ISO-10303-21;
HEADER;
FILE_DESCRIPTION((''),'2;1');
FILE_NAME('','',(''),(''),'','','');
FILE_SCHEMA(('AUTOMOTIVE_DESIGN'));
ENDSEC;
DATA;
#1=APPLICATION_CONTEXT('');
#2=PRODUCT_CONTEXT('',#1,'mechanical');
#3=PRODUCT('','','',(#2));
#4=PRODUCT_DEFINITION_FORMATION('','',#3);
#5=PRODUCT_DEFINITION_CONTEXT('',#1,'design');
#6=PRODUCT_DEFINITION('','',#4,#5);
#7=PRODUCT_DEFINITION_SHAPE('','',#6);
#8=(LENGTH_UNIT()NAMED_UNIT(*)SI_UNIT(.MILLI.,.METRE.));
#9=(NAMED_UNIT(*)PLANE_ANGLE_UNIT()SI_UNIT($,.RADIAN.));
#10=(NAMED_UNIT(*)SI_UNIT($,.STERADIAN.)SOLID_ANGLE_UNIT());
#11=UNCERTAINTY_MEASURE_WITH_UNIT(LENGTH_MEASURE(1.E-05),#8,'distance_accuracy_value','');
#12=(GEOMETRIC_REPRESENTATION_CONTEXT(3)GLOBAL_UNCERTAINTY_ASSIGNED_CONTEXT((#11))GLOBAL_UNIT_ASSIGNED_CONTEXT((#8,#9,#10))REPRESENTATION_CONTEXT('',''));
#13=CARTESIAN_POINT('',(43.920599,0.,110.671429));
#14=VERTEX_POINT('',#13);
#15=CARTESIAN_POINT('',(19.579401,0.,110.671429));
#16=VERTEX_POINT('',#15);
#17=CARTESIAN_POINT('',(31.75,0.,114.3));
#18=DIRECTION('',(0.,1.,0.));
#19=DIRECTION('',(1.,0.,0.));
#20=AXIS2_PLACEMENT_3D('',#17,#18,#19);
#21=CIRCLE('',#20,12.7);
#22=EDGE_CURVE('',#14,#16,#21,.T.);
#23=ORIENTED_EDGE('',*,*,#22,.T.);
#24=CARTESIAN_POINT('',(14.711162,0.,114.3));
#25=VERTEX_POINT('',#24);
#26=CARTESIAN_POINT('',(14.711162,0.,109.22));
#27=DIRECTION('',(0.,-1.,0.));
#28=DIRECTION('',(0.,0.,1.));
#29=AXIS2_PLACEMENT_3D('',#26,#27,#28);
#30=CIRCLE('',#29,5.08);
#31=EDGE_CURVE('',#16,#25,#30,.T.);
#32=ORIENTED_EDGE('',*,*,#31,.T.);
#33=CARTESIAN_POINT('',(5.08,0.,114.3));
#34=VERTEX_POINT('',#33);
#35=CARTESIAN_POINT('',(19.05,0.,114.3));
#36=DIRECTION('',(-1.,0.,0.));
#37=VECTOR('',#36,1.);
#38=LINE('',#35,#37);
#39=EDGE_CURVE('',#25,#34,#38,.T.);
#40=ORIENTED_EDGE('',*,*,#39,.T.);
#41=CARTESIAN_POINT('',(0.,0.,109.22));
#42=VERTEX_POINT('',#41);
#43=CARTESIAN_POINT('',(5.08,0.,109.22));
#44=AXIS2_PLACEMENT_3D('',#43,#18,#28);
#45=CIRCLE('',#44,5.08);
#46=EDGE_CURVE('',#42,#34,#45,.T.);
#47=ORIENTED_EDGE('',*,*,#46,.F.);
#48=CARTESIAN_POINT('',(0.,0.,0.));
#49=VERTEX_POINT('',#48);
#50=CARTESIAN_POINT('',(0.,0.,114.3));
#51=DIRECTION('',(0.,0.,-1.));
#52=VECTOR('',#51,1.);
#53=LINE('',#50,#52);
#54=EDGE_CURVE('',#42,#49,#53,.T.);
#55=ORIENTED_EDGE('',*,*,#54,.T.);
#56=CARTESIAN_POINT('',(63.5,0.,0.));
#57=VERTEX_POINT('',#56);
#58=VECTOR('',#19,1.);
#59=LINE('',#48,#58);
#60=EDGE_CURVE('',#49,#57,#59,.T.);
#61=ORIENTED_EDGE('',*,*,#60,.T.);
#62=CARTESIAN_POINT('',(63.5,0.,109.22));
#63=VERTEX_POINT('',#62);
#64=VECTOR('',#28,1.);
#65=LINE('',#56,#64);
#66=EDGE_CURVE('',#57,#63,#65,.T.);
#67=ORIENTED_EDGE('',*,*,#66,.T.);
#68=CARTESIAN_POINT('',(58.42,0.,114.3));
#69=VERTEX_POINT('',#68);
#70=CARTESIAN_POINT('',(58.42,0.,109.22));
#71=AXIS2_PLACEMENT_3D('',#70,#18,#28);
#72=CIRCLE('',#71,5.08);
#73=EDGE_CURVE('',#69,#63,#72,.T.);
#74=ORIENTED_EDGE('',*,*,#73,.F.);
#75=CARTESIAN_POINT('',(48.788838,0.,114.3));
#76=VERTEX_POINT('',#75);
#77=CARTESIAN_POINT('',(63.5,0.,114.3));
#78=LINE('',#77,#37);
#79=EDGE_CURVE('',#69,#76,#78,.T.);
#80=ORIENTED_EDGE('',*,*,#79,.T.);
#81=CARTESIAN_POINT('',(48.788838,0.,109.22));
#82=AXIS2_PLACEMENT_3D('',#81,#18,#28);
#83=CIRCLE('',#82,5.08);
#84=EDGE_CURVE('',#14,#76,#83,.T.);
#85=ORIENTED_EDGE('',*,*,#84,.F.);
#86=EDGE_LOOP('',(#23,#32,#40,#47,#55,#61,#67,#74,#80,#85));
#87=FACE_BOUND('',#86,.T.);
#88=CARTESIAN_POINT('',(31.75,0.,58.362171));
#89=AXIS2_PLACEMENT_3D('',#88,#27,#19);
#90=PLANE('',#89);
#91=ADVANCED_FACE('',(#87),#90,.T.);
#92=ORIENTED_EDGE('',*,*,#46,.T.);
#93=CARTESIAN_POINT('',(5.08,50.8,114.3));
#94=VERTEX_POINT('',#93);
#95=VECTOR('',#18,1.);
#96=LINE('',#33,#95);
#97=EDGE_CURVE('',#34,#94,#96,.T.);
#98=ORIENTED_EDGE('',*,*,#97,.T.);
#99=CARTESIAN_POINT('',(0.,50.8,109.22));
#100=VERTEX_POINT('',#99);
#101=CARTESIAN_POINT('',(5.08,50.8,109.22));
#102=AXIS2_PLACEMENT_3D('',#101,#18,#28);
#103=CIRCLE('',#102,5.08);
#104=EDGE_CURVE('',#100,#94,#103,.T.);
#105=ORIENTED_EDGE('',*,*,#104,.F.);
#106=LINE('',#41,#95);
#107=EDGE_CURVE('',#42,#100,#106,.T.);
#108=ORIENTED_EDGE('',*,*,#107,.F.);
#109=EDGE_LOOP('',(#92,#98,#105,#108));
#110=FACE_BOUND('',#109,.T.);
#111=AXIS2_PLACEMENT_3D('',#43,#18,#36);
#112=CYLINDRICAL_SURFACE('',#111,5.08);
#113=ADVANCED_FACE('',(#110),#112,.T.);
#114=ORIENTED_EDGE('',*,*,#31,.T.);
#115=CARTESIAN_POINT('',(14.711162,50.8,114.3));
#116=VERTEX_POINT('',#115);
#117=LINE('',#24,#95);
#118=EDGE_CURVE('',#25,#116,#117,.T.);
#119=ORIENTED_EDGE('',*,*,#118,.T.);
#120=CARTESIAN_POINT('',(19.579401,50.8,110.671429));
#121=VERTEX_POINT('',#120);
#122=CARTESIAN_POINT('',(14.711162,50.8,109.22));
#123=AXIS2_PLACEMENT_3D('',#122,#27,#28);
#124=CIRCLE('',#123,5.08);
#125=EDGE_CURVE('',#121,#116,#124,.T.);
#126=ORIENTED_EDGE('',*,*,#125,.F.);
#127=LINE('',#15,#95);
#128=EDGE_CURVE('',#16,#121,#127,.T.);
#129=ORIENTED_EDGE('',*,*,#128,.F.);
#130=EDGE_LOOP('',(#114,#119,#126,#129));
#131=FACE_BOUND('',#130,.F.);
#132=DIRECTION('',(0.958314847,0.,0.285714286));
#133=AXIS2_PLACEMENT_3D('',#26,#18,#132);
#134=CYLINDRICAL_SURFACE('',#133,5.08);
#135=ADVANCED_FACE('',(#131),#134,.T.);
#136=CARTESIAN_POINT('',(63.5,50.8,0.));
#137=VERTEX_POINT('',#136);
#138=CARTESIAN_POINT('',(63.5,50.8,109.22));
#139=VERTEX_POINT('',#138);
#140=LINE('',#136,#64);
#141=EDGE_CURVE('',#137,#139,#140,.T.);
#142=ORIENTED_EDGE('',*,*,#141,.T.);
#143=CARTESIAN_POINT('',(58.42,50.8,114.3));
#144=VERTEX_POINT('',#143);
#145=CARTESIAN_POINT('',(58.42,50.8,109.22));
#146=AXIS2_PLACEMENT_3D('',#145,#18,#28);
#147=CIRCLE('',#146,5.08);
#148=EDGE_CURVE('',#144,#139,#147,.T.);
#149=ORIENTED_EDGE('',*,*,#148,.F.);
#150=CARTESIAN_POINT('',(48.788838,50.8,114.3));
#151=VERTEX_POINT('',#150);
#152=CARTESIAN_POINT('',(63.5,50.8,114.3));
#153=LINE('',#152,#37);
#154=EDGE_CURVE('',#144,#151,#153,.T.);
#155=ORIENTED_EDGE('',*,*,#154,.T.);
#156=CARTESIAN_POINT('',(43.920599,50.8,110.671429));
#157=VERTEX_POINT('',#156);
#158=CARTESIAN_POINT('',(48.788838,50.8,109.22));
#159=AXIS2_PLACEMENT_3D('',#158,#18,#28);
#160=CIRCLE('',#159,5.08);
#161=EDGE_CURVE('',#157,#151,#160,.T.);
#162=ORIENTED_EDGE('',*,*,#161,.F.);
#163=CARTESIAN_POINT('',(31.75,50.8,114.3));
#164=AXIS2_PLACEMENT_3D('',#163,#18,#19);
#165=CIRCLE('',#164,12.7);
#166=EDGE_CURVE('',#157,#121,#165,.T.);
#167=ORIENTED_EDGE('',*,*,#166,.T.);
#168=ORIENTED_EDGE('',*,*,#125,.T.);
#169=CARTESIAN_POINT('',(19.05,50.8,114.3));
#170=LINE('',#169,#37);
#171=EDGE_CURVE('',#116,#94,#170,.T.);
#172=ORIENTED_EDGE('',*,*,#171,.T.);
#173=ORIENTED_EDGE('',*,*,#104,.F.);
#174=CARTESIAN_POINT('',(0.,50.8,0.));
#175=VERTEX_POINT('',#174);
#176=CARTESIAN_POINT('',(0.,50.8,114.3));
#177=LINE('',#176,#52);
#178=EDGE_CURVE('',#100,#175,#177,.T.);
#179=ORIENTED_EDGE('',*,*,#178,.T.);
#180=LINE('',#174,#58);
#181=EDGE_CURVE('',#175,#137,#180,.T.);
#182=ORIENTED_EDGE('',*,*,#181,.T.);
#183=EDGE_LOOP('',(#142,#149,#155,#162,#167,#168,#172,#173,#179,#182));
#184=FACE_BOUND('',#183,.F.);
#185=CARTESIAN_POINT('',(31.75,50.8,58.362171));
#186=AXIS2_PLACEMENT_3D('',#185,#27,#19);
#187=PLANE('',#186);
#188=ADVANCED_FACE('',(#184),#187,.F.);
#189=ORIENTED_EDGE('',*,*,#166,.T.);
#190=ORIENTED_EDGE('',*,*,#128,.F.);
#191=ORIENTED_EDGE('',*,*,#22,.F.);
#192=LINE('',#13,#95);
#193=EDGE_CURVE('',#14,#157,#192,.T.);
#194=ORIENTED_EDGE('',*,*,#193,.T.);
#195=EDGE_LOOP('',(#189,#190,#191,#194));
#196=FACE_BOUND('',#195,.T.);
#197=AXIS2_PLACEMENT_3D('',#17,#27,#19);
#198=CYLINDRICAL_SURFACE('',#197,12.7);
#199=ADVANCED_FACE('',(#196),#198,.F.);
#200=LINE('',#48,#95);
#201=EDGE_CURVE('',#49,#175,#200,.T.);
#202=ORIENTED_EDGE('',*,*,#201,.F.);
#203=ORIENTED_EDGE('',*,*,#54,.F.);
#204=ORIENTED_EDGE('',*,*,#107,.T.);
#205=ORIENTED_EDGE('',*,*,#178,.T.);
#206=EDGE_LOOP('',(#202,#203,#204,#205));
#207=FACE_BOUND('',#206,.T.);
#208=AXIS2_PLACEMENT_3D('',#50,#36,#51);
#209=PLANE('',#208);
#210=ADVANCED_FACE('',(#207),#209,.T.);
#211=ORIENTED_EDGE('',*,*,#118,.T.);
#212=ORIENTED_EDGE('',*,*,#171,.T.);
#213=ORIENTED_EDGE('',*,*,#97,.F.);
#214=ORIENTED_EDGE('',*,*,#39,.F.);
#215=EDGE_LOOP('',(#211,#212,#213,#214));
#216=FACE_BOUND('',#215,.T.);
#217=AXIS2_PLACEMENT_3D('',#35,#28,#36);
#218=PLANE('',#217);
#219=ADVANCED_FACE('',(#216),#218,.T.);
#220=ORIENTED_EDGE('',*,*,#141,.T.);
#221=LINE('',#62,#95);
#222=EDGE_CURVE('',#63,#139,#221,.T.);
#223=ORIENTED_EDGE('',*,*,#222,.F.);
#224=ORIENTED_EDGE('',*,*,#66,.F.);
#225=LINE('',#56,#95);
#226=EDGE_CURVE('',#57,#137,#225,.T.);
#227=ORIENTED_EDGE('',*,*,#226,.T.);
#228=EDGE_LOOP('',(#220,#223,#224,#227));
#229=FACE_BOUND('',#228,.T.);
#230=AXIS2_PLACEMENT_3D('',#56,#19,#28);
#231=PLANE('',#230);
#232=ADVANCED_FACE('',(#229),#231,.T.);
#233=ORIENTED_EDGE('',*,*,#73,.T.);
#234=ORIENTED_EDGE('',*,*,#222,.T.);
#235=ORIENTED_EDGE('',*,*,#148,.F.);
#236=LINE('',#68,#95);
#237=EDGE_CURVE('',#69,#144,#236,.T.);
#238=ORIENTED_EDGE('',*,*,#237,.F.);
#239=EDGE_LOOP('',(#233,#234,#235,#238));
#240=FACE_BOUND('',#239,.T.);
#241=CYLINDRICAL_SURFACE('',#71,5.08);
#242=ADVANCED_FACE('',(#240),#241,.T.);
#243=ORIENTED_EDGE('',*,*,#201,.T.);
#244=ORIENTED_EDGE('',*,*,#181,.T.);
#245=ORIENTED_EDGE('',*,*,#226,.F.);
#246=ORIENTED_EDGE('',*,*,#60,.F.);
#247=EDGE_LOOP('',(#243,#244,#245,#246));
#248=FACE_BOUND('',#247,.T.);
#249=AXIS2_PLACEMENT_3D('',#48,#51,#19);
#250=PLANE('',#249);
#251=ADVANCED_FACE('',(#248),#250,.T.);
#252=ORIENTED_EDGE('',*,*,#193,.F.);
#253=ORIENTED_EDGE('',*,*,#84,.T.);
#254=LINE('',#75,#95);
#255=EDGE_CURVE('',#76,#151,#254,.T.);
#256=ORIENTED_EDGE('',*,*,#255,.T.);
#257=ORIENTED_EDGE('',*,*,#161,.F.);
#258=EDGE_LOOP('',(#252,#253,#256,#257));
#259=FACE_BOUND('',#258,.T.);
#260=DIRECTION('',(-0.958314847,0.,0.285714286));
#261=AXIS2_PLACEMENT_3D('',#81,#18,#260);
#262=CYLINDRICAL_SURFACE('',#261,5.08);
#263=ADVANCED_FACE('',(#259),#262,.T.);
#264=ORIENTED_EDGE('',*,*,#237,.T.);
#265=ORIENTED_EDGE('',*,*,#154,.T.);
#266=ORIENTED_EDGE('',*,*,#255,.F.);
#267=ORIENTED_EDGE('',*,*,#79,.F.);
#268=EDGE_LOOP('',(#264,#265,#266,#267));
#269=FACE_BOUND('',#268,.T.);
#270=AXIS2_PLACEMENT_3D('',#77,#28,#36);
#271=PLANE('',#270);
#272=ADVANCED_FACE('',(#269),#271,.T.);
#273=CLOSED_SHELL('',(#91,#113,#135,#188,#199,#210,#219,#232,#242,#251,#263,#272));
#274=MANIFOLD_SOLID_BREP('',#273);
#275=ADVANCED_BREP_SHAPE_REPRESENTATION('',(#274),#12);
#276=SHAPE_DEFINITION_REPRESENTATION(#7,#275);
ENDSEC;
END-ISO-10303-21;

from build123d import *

# Parameters (mm, degrees)
F1_DEPTH = 50.8
F2_R     = 5.08
F3_R     = 5.08
F4_R     = 5.08
F5_R     = 5.08


with BuildPart() as f1:
    # F0 (on Front) → F1 (new body)
    with BuildSketch(Plane.XZ):
        with BuildLine():
            Line((0, 114.3), (0, 0))
            Line((0, 0), (63.5, 0))
            Line((63.5, 0), (63.5, 114.3))
            Line((63.5, 114.3), (44.45, 114.3))
            ThreePointArc((44.45, 114.3), (31.75, 101.6), (19.05, 114.3))
            Line((19.05, 114.3), (0, 114.3))
        make_face()
    extrude(amount=-F1_DEPTH)

    # F2
    f2_edges = [f1.edges().sort_by_distance(p)[0] for p in [
        (19.05, 25.4, 114.3),
    ]]
    fillet(f2_edges, radius=F2_R)

    # F3
    f3_edges = [f1.edges().sort_by_distance(p)[0] for p in [
        (44.45, 25.4, 114.3),
    ]]
    fillet(f3_edges, radius=F3_R)

    # F4
    f4_edges = [f1.edges().sort_by_distance(p)[0] for p in [
        (63.5, 25.4, 114.3),
    ]]
    fillet(f4_edges, radius=F4_R)

    # F5
    f5_edges = [f1.edges().sort_by_distance(p)[0] for p in [
        (0, 25.4, 114.3),
    ]]
    fillet(f5_edges, radius=F5_R)


solid = f1.part
